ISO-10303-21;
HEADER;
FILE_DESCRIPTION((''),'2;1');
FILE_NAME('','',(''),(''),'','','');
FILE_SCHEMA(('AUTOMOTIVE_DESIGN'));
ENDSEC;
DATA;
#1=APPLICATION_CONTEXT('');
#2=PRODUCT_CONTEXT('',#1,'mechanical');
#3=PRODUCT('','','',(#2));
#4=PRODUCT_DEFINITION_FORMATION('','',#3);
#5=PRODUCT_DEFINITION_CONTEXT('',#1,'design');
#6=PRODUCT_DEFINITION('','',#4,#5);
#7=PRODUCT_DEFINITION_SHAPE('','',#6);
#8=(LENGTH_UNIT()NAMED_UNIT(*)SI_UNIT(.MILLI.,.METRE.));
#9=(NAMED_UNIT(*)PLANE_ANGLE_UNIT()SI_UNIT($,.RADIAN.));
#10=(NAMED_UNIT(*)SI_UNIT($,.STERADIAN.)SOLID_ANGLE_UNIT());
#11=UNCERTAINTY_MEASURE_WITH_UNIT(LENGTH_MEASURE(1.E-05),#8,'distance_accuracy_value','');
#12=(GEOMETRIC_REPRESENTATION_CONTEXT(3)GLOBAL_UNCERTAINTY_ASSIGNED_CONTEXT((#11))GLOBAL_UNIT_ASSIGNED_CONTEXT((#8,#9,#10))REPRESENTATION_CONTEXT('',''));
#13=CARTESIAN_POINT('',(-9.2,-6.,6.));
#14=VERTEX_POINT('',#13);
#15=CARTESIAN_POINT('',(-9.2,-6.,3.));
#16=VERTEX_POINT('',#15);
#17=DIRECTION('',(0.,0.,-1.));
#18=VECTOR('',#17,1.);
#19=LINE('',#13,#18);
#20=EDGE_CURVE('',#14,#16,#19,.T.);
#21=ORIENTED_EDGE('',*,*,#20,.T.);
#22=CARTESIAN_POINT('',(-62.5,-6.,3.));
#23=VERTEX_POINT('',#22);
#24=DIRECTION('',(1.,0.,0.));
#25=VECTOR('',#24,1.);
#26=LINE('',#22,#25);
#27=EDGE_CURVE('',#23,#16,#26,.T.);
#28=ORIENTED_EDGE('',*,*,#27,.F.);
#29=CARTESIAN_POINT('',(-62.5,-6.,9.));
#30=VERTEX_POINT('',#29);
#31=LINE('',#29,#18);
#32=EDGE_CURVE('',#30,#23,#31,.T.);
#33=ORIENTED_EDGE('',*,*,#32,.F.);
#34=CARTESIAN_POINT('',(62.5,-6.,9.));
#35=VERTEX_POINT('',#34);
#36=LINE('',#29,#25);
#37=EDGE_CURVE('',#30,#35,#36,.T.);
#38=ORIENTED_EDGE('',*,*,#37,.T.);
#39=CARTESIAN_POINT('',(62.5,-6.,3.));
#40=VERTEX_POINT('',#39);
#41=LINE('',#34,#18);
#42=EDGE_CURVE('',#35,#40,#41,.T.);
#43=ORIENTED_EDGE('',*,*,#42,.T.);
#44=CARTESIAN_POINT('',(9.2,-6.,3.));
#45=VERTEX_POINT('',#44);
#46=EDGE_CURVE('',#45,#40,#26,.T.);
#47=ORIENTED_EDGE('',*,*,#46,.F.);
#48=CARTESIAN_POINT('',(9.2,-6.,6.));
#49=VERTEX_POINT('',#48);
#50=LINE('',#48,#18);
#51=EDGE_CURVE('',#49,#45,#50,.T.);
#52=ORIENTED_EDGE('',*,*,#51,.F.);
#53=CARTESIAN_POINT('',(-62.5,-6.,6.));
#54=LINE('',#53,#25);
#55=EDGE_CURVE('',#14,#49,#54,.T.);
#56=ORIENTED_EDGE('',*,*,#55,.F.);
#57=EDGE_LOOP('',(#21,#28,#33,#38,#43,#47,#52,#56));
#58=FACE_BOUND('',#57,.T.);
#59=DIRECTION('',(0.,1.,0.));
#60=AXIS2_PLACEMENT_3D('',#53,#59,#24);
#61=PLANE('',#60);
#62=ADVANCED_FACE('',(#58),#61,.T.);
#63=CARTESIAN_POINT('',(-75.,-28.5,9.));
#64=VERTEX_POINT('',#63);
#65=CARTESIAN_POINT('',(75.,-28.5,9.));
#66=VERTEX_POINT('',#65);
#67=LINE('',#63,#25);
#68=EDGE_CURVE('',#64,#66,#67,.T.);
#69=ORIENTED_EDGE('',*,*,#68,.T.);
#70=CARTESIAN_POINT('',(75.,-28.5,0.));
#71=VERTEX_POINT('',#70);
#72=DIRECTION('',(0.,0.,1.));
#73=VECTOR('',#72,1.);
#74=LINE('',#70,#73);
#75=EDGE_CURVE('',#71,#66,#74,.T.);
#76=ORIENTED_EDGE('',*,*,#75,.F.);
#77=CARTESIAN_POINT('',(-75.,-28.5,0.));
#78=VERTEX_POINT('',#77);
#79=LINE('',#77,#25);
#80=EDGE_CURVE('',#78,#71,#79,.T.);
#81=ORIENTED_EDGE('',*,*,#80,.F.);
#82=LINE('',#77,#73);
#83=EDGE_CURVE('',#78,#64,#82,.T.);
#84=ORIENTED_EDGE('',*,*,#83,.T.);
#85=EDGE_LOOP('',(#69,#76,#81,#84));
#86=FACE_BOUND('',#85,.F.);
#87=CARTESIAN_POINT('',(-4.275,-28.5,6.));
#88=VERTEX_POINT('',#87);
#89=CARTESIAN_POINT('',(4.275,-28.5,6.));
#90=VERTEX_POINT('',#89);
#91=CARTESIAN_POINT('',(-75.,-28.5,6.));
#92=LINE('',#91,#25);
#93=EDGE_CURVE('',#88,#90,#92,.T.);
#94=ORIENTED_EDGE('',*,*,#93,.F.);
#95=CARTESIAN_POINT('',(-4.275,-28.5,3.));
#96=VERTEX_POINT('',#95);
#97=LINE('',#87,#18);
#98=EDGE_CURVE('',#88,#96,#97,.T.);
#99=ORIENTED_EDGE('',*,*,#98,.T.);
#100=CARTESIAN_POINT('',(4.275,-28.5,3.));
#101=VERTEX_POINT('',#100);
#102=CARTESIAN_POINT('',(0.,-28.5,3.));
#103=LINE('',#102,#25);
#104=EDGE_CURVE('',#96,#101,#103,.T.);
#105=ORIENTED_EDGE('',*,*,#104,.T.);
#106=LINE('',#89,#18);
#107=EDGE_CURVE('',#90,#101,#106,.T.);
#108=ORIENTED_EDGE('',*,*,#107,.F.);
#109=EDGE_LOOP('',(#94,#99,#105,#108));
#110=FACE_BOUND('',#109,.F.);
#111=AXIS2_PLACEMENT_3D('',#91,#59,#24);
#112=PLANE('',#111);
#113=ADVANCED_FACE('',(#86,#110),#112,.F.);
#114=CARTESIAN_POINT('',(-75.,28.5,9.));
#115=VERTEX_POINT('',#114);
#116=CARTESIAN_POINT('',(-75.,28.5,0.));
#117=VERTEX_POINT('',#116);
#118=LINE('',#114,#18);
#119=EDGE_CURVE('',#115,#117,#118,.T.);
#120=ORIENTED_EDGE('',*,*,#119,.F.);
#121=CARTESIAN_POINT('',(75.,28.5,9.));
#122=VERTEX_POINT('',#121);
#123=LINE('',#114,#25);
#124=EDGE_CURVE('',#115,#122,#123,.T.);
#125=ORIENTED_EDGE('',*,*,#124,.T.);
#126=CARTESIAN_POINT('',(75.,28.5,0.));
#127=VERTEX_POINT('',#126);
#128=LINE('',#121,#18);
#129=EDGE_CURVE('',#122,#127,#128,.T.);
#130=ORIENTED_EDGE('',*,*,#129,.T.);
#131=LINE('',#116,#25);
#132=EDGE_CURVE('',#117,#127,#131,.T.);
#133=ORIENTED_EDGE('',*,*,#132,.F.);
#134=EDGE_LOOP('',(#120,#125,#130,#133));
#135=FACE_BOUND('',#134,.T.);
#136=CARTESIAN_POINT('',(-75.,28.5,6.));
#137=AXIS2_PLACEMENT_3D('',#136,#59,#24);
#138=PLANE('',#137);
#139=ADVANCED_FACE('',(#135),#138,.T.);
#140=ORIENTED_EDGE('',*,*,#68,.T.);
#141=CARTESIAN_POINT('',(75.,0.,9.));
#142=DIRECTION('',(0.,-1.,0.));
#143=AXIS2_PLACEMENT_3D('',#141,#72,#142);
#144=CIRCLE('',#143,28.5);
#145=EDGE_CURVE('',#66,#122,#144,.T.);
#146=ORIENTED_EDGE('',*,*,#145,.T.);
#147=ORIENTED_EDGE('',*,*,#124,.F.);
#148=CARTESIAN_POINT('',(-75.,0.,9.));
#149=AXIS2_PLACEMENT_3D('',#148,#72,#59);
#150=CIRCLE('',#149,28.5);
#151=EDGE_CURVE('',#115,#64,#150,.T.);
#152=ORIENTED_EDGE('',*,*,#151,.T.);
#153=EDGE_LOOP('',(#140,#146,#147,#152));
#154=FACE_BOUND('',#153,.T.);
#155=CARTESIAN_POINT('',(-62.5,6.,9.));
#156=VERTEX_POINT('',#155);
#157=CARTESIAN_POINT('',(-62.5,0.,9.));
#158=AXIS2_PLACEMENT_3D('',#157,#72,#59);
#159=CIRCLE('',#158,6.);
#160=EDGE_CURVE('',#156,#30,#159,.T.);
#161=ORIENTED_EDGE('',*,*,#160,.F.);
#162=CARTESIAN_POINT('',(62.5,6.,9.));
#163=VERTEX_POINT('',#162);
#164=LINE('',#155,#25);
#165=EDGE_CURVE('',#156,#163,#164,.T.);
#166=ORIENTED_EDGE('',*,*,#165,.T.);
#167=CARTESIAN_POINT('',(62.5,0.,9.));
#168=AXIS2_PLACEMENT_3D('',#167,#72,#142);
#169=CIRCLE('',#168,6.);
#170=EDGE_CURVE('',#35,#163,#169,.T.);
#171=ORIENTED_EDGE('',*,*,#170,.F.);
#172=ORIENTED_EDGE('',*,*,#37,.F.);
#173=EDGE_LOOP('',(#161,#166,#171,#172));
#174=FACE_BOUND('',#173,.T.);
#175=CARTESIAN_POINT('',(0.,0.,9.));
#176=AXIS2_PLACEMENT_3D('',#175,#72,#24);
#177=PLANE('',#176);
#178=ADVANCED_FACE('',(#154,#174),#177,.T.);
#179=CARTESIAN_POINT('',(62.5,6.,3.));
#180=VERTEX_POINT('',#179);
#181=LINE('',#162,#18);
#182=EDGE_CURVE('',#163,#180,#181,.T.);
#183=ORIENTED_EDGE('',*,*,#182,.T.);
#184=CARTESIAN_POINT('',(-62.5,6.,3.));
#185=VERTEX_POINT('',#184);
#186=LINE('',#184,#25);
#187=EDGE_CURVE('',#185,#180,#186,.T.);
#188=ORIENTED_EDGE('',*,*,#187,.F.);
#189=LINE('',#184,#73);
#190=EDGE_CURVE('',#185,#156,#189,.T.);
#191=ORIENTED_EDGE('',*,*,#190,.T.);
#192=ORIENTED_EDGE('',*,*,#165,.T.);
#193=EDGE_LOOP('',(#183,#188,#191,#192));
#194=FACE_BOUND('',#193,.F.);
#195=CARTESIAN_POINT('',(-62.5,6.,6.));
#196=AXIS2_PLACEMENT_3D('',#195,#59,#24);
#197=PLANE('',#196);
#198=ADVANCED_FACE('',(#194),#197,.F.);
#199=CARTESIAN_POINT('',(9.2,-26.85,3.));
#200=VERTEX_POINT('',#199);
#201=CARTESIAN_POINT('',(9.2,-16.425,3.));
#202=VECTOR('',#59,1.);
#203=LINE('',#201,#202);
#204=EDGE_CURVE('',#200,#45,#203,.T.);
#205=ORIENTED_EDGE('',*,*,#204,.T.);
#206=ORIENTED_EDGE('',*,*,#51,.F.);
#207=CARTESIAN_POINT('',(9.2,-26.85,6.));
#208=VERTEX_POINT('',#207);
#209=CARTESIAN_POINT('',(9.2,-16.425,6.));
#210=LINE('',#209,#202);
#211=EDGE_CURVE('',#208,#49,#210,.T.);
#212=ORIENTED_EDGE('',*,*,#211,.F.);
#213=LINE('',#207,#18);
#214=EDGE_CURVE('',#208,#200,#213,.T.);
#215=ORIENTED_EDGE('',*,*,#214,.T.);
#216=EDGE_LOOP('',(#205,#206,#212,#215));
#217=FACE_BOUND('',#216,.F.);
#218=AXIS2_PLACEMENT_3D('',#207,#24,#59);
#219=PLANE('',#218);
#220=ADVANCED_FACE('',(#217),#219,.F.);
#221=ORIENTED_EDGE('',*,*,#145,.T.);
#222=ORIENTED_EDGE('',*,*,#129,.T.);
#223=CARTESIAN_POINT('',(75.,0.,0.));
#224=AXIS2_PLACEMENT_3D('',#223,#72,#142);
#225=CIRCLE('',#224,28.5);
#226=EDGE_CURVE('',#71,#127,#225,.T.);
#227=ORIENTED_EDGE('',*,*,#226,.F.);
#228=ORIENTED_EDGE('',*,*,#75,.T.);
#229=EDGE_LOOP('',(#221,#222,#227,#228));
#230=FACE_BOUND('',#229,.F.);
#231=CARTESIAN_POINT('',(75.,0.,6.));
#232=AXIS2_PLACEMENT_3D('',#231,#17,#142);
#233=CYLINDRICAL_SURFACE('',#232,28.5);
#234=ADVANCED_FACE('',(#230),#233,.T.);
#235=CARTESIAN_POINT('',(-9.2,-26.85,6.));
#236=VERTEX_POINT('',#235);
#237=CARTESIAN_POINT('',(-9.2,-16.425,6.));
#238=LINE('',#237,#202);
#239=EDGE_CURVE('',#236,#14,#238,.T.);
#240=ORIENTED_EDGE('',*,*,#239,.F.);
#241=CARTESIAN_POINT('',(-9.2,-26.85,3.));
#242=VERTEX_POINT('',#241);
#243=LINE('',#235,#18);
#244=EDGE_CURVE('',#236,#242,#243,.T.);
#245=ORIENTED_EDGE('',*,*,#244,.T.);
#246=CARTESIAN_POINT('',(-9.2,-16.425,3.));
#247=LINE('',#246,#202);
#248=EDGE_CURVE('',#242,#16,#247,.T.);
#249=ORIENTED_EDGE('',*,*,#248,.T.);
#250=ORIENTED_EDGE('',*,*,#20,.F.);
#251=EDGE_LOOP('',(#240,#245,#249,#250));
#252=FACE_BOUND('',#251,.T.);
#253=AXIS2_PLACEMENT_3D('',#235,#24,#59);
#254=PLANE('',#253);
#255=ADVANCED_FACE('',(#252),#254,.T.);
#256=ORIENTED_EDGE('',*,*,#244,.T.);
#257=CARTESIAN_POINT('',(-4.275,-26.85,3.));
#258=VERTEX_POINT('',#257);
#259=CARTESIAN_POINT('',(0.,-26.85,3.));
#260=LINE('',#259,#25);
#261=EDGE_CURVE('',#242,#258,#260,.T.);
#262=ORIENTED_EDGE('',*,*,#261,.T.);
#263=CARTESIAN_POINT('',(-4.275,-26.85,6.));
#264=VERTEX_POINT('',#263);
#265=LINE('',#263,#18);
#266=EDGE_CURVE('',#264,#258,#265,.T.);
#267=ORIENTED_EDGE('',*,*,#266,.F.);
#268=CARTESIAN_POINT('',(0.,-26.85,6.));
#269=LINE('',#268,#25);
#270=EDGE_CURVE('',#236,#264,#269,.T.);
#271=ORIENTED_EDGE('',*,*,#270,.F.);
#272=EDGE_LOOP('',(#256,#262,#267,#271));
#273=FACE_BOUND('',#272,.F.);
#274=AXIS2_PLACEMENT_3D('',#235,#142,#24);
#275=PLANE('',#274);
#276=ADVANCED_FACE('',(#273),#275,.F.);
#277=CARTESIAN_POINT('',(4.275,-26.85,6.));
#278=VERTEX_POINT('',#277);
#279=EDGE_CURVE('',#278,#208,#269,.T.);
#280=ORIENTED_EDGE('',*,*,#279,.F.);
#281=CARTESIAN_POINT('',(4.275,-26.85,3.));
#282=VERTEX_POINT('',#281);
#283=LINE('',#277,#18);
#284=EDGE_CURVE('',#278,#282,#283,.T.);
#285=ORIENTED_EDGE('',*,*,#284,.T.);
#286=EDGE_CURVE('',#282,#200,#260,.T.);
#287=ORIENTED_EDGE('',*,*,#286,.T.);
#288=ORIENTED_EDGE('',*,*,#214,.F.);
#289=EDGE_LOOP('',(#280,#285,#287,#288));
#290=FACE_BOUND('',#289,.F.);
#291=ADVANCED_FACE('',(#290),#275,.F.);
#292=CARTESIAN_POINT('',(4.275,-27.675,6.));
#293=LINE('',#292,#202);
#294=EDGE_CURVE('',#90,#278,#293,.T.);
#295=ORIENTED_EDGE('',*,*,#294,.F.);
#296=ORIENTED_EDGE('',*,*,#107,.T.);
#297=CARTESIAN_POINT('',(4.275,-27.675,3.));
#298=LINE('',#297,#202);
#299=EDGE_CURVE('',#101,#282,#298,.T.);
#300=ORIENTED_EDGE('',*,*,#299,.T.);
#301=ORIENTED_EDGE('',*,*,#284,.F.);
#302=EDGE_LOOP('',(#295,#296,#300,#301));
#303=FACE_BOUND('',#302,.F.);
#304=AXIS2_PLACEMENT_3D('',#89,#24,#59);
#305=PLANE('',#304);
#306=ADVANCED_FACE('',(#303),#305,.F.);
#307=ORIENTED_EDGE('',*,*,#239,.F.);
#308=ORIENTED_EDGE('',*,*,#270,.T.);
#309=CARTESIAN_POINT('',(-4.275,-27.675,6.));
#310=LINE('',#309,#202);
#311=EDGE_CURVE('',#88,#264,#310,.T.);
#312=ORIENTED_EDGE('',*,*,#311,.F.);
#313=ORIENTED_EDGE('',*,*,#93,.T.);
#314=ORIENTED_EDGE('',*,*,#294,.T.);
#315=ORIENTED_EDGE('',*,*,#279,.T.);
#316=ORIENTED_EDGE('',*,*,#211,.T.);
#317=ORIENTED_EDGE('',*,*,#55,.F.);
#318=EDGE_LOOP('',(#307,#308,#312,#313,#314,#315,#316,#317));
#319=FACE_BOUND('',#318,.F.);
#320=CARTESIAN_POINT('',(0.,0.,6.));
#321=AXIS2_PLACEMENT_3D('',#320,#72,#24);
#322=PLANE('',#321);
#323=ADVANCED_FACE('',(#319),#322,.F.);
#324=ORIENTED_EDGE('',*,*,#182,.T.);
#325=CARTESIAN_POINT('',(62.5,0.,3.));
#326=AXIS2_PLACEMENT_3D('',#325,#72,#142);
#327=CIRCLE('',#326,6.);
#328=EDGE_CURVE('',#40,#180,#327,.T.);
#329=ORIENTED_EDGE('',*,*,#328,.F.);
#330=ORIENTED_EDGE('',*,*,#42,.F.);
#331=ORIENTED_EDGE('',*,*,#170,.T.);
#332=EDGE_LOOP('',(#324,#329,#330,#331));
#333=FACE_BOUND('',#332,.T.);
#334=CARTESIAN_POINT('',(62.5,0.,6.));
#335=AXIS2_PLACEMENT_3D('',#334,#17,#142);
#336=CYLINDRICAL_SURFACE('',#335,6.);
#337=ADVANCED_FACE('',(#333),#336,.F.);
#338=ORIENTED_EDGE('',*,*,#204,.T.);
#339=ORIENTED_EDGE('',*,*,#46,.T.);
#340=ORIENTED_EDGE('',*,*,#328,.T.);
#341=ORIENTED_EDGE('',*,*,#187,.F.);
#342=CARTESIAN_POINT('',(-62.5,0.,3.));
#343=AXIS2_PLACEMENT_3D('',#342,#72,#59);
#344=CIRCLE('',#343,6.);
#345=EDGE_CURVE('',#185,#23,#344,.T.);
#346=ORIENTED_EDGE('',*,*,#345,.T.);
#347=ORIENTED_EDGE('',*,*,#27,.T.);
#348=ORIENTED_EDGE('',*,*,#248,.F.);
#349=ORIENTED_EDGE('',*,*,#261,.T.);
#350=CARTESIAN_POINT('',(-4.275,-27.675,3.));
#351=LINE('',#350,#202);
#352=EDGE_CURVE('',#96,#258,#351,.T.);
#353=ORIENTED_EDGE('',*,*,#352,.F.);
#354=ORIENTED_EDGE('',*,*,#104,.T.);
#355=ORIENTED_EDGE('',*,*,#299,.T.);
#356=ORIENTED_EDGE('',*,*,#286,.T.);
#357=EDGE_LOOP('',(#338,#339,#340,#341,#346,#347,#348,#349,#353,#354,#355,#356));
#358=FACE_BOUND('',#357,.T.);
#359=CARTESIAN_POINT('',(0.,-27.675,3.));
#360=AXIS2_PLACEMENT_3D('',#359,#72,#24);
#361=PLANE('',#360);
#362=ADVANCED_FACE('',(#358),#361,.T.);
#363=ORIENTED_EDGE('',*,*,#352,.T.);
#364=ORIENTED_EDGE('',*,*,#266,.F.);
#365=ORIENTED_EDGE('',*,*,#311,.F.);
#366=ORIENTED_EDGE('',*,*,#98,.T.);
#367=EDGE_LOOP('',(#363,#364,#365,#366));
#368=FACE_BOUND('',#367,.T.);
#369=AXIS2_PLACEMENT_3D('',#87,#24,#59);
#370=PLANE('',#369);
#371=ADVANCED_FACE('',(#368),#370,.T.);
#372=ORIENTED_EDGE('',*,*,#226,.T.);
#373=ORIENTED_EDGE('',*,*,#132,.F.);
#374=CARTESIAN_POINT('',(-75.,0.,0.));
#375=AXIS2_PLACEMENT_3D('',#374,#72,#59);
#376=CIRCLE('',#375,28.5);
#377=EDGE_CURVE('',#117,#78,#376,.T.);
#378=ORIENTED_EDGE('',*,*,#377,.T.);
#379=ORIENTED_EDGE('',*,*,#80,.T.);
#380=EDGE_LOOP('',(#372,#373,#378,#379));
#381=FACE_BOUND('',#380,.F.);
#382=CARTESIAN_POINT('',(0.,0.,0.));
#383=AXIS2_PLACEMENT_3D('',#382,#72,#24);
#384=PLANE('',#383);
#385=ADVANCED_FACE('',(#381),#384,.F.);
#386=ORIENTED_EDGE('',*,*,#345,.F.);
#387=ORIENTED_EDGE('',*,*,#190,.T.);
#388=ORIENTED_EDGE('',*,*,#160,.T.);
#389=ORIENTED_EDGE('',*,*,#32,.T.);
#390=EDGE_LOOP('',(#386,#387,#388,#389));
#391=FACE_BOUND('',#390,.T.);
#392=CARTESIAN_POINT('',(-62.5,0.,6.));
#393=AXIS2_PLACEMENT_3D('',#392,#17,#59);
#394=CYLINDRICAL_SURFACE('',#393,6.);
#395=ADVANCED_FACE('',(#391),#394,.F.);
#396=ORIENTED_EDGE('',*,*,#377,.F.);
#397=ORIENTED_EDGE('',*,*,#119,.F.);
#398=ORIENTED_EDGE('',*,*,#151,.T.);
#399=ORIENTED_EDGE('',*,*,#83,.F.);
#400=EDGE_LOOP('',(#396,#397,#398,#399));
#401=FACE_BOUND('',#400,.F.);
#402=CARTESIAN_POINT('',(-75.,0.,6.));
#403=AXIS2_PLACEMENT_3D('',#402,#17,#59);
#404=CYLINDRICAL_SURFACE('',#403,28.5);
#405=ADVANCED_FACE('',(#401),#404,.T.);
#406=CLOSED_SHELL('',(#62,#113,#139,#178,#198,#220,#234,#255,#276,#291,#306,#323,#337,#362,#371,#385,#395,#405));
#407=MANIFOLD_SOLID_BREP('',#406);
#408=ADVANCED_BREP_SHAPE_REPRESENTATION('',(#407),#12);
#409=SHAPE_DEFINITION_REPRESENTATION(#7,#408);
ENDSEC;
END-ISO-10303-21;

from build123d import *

# Parameters (mm, degrees)
PAD_DEPTH       = 6
POCKET_DEPTH    = 3
SKETCH002_W     = 18.4
SKETCH002_H     = 20.85
POCKET001_DEPTH = 3
SKETCH003_W     = 8.55
SKETCH003_H     = 1.65
POCKET002_DEPTH = 3
PAD001_DEPTH    = 3


with BuildPart() as part:
    # Sketch → Pad (new body)
    with BuildSketch(Plane.XY):
        with BuildLine():
            ThreePointArc((-75, 28.5), (-103.5, 0), (-75, -28.5))
            Line((-75, -28.5), (75, -28.5))
            ThreePointArc((75, -28.5), (103.5, 0), (75, 28.5))
            Line((-75, 28.5), (75, 28.5))
        make_face()
    extrude(amount=PAD_DEPTH)

    # Sketch001 (on Face6 of Pad) → Pocket (cut)
    with BuildSketch(Plane.XY.offset(6)):
        with BuildLine():
            ThreePointArc((-62.5, 6), (-68.5, 0), (-62.5, -6))
            Line((-62.5, -6), (62.5, -6))
            ThreePointArc((62.5, -6), (68.5, 0), (62.5, 6))
            Line((-62.5, 6), (62.5, 6))
        make_face()
    extrude(amount=-POCKET_DEPTH, mode=Mode.SUBTRACT)

    # Sketch002 (on Face5 of Pocket) → Pocket001 (cut)
    with BuildSketch(Plane.XY.offset(6)):
        with Locations((0, -16.425)):
            Rectangle(SKETCH002_W, SKETCH002_H)
    extrude(amount=-POCKET001_DEPTH, mode=Mode.SUBTRACT)

    # Sketch003 (on Face5 of Pocket001) → Pocket002 (cut)
    with BuildSketch(Plane.XY.offset(6)):
        with Locations((0, -27.675)):
            Rectangle(SKETCH003_W, SKETCH003_H)
    extrude(amount=-POCKET002_DEPTH, mode=Mode.SUBTRACT)

    # Sketch004 (on Face5 of Pocket002) → Pad001 (join)
    with BuildSketch(Plane.XY.offset(6)):
        with BuildLine():
            ThreePointArc((-75, 28.5), (-103.5, 0), (-75, -28.5))
            Line((-75, -28.5), (75, -28.5))
            ThreePointArc((75, -28.5), (103.5, 0), (75, 28.5))
            Line((-75, 28.5), (75, 28.5))
        make_face()
        with BuildLine():
            ThreePointArc((-62.5, 6), (-68.5, 0), (-62.5, -6))
            Line((-62.5, -6), (62.5, -6))
            ThreePointArc((62.5, -6), (68.5, 0), (62.5, 6))
            Line((-62.5, 6), (62.5, 6))
        make_face(mode=Mode.SUBTRACT)
    extrude(amount=PAD001_DEPTH)


solid = part.part
